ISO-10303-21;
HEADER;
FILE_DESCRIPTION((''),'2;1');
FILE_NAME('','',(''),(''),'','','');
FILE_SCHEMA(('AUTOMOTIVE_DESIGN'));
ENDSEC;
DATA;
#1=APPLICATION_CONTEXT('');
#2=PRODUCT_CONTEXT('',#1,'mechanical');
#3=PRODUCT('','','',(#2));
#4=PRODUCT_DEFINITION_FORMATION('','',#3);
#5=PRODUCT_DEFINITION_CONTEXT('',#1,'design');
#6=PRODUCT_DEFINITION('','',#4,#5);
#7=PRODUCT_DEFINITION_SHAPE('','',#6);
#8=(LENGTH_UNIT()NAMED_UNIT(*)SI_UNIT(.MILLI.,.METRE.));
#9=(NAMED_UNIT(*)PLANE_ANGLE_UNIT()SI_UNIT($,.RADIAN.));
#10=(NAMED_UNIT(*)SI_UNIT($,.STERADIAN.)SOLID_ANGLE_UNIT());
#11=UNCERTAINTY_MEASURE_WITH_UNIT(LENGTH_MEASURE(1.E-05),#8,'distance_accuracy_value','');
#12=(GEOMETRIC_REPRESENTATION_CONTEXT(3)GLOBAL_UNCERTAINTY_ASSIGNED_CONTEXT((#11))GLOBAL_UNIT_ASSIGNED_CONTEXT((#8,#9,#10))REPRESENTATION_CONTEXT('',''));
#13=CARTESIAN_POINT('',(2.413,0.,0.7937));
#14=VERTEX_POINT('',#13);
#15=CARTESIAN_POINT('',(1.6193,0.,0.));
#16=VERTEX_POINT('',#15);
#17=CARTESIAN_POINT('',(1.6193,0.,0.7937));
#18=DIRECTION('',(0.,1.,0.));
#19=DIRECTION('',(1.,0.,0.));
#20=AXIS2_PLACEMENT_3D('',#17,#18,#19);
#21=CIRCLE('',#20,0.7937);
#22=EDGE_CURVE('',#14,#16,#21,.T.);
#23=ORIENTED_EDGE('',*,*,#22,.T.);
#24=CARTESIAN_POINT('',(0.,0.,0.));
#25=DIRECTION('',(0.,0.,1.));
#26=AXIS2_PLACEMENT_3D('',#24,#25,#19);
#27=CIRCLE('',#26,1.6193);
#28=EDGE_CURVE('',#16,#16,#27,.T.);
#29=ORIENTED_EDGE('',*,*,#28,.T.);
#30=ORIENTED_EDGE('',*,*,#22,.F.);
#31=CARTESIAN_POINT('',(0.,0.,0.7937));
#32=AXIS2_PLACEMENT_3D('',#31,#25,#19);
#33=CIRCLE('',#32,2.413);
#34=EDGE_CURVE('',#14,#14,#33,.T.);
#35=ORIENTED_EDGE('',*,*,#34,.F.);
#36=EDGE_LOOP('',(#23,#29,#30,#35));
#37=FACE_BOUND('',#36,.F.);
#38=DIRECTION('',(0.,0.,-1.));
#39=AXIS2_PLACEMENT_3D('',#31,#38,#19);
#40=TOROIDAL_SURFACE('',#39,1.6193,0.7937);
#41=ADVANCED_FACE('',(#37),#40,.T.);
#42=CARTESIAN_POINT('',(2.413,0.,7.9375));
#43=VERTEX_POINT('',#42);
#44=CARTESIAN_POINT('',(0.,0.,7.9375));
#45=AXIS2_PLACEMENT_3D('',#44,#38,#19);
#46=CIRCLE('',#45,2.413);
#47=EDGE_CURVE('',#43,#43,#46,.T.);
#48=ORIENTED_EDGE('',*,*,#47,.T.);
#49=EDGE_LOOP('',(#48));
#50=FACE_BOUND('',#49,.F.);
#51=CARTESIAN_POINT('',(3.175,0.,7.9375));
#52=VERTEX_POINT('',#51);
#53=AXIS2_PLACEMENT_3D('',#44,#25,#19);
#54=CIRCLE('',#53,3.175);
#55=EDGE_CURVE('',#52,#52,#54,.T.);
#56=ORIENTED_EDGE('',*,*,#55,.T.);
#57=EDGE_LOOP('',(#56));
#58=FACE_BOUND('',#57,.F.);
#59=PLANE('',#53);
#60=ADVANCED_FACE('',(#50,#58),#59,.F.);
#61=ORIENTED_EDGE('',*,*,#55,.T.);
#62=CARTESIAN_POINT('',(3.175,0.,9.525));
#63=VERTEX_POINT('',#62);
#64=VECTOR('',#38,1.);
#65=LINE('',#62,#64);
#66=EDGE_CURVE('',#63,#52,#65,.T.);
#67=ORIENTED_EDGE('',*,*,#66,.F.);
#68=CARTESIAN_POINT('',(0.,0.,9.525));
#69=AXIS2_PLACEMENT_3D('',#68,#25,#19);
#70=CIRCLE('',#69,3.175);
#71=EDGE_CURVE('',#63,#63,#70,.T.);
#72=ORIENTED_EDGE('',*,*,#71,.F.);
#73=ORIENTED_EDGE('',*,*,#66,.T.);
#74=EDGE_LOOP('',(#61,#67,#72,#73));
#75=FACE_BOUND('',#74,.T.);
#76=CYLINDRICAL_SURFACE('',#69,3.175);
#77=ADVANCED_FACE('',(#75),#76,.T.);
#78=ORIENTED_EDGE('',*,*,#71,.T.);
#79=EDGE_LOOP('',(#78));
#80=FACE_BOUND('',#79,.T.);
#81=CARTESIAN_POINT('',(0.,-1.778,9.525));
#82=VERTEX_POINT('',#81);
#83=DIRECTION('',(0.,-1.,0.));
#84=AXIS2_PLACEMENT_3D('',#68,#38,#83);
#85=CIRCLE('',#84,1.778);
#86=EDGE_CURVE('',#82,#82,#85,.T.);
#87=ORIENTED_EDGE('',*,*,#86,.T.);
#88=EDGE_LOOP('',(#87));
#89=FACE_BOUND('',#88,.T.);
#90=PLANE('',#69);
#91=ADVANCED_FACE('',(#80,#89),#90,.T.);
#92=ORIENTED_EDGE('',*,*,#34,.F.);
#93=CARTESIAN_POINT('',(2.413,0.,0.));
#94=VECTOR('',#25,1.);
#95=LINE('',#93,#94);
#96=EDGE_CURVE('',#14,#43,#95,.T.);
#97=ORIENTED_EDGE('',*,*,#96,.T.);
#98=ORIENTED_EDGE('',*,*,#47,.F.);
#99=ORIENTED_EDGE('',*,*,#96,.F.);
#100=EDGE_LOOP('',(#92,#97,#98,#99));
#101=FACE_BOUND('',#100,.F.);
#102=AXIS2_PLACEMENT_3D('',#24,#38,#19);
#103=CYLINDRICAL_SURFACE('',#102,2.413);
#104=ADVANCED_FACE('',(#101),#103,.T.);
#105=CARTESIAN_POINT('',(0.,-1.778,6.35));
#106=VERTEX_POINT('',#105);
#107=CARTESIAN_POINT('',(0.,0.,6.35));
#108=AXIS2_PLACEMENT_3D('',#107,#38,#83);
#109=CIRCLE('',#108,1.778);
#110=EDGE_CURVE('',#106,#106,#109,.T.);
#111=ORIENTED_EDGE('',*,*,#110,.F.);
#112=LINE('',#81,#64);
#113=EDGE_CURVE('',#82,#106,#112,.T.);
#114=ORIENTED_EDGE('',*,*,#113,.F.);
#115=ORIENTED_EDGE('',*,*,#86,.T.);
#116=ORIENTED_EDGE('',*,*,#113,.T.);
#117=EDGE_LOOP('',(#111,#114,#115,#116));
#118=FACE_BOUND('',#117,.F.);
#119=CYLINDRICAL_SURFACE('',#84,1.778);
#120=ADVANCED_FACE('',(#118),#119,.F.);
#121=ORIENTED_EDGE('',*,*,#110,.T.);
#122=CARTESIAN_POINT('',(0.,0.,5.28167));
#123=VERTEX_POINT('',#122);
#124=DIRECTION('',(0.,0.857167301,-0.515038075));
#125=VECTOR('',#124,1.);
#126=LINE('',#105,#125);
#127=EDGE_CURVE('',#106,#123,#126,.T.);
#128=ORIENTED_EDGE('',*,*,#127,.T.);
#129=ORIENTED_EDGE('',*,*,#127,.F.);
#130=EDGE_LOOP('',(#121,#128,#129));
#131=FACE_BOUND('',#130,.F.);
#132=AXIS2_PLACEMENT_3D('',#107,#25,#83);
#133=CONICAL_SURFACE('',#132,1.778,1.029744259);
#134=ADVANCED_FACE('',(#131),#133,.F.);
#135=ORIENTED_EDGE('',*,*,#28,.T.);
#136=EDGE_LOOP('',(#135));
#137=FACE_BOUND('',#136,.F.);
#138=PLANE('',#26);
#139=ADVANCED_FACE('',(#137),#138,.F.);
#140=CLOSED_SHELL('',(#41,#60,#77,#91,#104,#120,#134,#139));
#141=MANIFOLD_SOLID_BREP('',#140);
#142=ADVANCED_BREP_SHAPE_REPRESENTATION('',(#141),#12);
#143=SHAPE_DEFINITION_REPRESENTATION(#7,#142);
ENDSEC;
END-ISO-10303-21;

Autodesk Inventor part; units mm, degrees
ref_plane "YZ Plane" through (0, 0, 0) normal (1, 0, 0) x (0, 1, 0)
ref_plane "XZ Plane" through (0, 0, 0) normal (0, 1, 0) x (-1, 0, 0)
ref_plane "XY Plane" through (0, 0, 0) normal (0, 0, 1) x (1, 0, 0)
sketch "Sketch1" plane through (0, 0, 0) normal (0, 0, 1) x (1, 0, 0)
  circle A0 centre (0, 0) radius 2.413
  dimension "d0" = 4.826
extrude "Extrusion1" add sketch "Sketch1" along normal blind 9.525
sketch "Sketch2" plane through (0, 0, 9.525) normal (0, 0, 1) x (1, 0, 0)
  circle A0 centre (0, 0) radius 3.175
  dimension "d3" = 6.35
extrude "Extrusion2" add sketch "Sketch2" against normal blind 1.5875
sketch "Sketch3" plane through (0, 0, 9.525) normal (0, 0, 1) x (1, 0, 0)
  point P0 (0, 0)
hole "Hole1" at (0, 0, 9.525) direction (0, 0, -1) diameter 3.556 depth 3.175 tip angle 118
fillet "Fillet1" radius 0.7937 1 edges at (-2.413, 0, 0)
properties part number "button"
